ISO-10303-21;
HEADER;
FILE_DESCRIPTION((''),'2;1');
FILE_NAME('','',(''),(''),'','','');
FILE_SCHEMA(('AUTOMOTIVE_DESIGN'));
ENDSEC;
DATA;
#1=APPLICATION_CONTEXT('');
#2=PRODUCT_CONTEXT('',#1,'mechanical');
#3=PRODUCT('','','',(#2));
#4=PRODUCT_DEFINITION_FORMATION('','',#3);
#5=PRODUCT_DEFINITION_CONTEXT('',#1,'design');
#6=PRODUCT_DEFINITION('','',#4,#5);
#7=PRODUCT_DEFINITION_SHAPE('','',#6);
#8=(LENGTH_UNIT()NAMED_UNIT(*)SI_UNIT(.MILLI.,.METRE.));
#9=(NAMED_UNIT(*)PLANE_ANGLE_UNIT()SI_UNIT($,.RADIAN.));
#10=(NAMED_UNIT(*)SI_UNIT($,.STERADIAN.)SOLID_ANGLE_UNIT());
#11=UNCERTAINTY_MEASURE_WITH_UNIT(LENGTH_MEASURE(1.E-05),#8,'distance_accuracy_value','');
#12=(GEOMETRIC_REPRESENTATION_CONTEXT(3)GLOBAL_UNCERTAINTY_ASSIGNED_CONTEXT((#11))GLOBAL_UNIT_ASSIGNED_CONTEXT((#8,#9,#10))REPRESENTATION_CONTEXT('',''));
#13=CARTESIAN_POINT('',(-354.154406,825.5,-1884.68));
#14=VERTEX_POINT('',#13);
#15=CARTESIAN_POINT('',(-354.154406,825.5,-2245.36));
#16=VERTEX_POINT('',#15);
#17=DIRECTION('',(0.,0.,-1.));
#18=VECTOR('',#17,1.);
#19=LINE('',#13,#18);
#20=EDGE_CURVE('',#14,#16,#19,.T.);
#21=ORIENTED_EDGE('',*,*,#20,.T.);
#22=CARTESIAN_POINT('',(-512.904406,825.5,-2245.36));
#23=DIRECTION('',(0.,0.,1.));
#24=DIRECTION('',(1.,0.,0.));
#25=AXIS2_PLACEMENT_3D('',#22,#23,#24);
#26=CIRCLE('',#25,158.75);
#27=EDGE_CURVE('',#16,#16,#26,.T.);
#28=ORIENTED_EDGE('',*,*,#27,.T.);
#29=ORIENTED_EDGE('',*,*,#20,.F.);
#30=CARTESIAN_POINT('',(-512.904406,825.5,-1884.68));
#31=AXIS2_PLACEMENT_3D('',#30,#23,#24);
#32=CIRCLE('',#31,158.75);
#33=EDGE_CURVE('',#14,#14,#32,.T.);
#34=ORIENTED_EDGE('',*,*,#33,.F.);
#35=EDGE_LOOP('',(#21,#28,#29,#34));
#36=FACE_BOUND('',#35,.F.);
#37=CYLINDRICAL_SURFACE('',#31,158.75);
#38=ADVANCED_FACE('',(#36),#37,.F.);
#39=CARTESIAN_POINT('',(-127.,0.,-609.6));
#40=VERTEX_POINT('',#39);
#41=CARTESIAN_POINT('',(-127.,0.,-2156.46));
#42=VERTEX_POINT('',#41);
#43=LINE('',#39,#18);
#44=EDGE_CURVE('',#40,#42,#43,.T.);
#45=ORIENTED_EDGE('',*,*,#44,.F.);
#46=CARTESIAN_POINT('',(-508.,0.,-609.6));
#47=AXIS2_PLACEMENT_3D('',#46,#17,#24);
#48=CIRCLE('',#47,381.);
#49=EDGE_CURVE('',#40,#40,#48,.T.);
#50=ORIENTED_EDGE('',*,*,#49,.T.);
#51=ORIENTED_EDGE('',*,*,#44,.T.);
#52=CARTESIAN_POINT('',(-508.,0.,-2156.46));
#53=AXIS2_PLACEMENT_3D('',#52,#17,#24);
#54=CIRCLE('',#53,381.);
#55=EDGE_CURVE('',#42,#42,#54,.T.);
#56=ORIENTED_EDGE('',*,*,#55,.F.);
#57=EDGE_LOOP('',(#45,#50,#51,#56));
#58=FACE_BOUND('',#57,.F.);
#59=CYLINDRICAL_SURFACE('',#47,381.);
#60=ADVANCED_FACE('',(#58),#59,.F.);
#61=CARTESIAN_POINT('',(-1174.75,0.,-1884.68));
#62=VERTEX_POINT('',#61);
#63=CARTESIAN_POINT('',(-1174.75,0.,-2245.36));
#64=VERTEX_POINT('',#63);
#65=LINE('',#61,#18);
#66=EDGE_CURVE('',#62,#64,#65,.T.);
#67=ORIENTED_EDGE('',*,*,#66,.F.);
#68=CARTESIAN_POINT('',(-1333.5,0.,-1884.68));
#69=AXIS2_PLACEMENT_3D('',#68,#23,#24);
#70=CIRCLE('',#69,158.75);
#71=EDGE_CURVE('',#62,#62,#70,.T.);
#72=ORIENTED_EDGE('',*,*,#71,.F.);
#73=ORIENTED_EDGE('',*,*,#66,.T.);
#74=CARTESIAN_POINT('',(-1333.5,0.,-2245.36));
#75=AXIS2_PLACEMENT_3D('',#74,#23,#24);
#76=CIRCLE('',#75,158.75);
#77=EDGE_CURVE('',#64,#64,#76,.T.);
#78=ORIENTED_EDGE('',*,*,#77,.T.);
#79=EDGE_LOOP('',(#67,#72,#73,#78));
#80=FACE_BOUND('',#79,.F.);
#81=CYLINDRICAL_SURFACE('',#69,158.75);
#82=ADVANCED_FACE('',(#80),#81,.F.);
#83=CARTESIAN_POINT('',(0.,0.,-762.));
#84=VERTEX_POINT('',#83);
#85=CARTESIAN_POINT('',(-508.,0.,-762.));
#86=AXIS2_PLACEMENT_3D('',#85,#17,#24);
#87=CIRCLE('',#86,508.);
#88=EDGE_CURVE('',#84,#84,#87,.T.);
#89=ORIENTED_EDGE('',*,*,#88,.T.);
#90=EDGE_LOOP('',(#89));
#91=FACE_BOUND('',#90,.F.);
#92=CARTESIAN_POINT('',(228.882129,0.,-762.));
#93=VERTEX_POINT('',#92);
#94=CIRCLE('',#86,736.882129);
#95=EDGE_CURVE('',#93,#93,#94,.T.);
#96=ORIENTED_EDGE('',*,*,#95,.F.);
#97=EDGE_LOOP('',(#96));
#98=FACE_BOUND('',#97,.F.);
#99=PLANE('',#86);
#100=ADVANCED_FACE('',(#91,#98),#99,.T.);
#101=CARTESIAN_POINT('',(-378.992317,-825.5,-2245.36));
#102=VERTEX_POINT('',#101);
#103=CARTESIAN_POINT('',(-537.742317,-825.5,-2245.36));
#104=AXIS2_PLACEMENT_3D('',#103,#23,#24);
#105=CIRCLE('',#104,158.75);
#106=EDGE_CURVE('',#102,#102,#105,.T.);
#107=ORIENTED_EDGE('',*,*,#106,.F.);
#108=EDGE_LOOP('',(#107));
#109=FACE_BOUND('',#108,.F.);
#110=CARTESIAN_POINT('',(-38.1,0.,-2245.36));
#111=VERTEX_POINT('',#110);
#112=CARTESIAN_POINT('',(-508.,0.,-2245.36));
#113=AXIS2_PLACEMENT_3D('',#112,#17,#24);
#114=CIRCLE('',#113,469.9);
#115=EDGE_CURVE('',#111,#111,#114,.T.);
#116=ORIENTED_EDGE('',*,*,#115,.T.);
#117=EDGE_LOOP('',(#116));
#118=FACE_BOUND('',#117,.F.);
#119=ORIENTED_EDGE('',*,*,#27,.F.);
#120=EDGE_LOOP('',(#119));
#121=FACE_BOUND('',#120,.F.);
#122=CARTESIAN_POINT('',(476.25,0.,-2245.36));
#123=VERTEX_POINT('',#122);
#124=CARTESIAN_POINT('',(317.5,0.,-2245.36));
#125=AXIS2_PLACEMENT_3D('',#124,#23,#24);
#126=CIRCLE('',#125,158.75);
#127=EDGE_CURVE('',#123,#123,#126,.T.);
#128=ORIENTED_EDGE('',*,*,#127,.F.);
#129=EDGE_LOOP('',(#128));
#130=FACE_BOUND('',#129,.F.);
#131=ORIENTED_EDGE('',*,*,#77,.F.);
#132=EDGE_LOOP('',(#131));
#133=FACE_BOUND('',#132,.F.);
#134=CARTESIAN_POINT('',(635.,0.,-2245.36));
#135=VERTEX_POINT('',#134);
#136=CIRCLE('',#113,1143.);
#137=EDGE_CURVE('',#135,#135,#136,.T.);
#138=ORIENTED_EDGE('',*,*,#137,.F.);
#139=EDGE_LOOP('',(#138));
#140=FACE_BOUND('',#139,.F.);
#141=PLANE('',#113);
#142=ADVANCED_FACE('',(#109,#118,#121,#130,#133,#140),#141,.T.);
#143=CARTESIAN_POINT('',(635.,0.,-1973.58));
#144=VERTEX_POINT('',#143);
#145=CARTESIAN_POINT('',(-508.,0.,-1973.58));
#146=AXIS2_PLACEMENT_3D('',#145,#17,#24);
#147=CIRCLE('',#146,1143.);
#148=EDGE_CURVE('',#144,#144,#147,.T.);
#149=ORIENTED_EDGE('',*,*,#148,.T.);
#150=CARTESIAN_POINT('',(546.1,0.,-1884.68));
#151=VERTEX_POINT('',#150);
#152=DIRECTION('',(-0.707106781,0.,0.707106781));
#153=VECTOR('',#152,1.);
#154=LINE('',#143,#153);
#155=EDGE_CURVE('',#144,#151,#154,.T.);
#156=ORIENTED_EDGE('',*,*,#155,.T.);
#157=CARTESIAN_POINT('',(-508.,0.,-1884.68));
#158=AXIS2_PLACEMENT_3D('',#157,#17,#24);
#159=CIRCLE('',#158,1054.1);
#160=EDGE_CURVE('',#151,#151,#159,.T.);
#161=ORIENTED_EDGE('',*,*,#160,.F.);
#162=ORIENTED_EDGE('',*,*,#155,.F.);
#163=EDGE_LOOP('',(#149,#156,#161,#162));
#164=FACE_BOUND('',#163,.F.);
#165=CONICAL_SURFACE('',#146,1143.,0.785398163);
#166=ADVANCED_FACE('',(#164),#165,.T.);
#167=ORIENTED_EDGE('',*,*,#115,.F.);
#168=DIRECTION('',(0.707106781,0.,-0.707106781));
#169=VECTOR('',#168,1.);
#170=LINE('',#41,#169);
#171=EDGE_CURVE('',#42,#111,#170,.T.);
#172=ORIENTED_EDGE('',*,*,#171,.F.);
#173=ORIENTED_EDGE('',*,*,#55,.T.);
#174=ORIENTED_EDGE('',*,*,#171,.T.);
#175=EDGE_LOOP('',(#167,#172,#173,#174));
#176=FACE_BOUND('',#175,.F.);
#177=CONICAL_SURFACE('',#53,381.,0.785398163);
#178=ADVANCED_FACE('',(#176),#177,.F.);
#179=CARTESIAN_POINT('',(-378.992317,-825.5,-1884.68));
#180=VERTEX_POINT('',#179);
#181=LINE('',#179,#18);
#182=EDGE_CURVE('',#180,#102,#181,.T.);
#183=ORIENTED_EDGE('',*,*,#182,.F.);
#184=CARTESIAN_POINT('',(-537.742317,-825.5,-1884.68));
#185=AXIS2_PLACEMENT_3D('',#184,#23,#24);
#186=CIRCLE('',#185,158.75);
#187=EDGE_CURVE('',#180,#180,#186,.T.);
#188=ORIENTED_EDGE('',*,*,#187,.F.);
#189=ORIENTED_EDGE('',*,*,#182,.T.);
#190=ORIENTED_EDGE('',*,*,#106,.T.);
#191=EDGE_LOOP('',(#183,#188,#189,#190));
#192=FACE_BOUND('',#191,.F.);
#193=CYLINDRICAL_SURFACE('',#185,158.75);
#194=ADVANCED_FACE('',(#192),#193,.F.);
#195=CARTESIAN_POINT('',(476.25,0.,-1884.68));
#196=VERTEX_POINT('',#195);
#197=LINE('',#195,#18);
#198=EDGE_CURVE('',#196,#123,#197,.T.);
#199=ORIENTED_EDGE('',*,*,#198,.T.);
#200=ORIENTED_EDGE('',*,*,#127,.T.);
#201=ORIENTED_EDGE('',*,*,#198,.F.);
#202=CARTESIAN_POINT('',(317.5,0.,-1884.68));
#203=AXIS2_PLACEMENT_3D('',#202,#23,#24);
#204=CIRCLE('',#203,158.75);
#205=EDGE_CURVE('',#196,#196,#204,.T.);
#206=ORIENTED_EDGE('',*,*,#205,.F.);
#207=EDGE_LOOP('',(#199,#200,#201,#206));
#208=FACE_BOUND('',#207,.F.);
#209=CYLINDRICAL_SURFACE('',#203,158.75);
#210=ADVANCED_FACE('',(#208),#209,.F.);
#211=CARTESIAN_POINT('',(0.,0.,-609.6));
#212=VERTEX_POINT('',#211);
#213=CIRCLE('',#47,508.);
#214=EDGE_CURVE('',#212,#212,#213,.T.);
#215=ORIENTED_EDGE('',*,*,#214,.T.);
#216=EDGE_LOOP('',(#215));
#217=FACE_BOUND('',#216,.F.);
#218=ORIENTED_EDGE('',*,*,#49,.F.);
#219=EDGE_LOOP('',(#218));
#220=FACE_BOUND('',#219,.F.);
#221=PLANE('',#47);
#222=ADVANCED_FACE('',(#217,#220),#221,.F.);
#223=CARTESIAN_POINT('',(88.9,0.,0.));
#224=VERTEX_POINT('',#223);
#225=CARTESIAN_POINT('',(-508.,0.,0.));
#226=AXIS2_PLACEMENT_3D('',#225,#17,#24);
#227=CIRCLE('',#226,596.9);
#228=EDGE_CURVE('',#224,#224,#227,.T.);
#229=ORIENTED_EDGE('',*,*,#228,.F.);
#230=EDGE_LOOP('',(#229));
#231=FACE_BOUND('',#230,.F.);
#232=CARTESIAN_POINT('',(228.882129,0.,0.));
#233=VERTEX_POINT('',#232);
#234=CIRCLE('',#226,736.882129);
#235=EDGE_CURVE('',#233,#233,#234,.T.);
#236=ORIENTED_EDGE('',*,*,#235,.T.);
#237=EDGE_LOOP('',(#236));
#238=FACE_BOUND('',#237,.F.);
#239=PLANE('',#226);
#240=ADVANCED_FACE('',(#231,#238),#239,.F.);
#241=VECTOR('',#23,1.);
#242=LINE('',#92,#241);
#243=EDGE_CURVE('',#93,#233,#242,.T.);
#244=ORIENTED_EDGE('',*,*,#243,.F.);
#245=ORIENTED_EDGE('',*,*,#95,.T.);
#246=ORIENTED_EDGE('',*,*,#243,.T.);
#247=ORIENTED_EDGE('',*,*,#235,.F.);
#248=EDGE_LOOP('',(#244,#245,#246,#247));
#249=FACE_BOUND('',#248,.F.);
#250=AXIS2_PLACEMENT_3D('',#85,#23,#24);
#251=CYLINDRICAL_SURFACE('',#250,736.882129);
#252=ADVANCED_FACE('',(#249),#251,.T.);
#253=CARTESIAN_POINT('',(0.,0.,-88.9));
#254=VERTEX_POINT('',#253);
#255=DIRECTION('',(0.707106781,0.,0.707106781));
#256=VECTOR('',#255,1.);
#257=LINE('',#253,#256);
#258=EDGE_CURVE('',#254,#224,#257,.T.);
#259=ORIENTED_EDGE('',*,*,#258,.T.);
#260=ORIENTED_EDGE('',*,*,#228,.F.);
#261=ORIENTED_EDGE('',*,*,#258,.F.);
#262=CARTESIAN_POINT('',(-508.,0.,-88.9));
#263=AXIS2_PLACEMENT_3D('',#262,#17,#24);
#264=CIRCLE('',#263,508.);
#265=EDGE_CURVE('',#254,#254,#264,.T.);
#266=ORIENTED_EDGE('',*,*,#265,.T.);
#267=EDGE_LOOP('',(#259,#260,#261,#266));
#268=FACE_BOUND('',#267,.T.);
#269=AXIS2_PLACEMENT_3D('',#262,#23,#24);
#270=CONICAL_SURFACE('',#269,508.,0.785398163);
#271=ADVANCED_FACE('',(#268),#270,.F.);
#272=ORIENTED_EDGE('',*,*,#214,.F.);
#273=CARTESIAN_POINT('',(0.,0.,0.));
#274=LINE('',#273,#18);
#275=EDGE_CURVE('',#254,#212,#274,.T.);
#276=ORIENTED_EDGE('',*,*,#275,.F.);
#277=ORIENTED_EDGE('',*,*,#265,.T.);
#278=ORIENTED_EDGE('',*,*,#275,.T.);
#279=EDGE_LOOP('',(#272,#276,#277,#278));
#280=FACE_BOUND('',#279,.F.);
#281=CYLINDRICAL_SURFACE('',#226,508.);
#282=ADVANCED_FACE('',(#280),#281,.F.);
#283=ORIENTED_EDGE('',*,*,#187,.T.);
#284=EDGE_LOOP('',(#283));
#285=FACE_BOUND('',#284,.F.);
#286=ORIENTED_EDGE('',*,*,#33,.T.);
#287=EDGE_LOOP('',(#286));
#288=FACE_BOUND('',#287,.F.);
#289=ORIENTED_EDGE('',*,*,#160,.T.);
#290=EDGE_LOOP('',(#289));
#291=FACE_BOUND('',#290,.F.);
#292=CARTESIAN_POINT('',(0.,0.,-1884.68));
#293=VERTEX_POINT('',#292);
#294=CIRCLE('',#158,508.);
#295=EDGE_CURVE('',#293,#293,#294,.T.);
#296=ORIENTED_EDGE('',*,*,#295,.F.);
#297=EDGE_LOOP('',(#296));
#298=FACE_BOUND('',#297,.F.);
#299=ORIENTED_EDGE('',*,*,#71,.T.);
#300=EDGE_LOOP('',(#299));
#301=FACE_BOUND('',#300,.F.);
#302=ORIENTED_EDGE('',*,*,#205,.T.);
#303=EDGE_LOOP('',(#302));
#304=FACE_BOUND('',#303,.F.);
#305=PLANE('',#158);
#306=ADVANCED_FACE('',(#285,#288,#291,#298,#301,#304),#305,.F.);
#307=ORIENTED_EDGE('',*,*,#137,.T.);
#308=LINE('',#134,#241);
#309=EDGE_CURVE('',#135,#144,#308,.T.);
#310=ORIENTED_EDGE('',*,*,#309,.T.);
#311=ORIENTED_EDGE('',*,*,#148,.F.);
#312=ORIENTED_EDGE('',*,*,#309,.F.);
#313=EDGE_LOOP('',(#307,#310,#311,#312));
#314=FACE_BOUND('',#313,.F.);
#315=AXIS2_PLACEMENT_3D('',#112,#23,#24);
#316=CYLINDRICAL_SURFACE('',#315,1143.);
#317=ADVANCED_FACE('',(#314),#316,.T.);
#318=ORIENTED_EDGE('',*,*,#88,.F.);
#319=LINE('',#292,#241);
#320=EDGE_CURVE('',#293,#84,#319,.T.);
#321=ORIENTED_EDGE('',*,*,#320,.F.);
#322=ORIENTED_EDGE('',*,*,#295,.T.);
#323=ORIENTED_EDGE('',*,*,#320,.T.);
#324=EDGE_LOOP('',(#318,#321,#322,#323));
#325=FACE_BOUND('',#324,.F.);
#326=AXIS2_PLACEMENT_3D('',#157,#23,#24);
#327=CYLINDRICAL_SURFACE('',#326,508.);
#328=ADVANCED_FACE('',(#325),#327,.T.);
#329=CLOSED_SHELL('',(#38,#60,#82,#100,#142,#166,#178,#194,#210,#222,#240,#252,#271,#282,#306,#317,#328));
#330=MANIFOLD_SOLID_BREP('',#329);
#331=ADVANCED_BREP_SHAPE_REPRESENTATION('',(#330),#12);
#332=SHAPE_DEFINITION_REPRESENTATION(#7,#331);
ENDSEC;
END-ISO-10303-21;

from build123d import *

# Parameters (mm, degrees)
F2_R     = 158.75
F3_DEPTH = 360.68
F4_DEPTH = 360.68
F5_DEPTH = 360.68
F6_DEPTH = 360.68
F7_SIZE  = 88.9
F8_SIZE  = 88.9
F9_SIZE  = 88.9


with BuildPart() as f1:
    # F0 (on Front) → F1 (revolve)
    with BuildSketch(Plane.XZ):
        Polygon((228.8821290832, 0), (0, 0), (0, -609.6), (-127, -609.6), (-127, -2245.36), (635, -2245.36), (635, -1884.68), (0, -1884.68), (0, -762), (228.8821290832, -762), align=None)
    revolve(axis=Axis((-508, 0, -886.3016366959), (0, 0, -1)))

    # F2 (on face) → F3 (cut)
    with BuildSketch(Plane.XY.offset(-1884.68)):
        with Locations((-1333.5, 0)):
            Circle(F2_R)
    extrude(amount=-F3_DEPTH, mode=Mode.SUBTRACT)

    # F2 (on face) → F4 (cut)
    with BuildSketch(Plane.XY.offset(-1884.68)):
        with Locations((-537.7423167229, -825.5)):
            Circle(F2_R)
    extrude(amount=-F4_DEPTH, mode=Mode.SUBTRACT)

    # F2 (on face) → F5 (cut)
    with BuildSketch(Plane.XY.offset(-1884.68)):
        with Locations((317.5, 0)):
            Circle(F2_R)
    extrude(amount=-F5_DEPTH, mode=Mode.SUBTRACT)

    # F2 (on face) → F6 (cut)
    with BuildSketch(Plane.XY.offset(-1884.68)):
        with Locations((-512.9044055939, 825.5)):
            Circle(F2_R)
    extrude(amount=-F6_DEPTH, mode=Mode.SUBTRACT)

    # F7
    f7_edges = [f1.edges().sort_by_distance(p)[0] for p in [
        (-889, 0, -2245.36),
    ]]
    chamfer(f7_edges, length=F7_SIZE)

    # F8
    f8_edges = [f1.edges().sort_by_distance(p)[0] for p in [
        (-1016, 0, 0),
    ]]
    chamfer(f8_edges, length=F8_SIZE)

    # F9
    f9_edges = [f1.edges().sort_by_distance(p)[0] for p in [
        (-1651, 0, -1884.68),
    ]]
    chamfer(f9_edges, length=F9_SIZE)


solid = f1.part
